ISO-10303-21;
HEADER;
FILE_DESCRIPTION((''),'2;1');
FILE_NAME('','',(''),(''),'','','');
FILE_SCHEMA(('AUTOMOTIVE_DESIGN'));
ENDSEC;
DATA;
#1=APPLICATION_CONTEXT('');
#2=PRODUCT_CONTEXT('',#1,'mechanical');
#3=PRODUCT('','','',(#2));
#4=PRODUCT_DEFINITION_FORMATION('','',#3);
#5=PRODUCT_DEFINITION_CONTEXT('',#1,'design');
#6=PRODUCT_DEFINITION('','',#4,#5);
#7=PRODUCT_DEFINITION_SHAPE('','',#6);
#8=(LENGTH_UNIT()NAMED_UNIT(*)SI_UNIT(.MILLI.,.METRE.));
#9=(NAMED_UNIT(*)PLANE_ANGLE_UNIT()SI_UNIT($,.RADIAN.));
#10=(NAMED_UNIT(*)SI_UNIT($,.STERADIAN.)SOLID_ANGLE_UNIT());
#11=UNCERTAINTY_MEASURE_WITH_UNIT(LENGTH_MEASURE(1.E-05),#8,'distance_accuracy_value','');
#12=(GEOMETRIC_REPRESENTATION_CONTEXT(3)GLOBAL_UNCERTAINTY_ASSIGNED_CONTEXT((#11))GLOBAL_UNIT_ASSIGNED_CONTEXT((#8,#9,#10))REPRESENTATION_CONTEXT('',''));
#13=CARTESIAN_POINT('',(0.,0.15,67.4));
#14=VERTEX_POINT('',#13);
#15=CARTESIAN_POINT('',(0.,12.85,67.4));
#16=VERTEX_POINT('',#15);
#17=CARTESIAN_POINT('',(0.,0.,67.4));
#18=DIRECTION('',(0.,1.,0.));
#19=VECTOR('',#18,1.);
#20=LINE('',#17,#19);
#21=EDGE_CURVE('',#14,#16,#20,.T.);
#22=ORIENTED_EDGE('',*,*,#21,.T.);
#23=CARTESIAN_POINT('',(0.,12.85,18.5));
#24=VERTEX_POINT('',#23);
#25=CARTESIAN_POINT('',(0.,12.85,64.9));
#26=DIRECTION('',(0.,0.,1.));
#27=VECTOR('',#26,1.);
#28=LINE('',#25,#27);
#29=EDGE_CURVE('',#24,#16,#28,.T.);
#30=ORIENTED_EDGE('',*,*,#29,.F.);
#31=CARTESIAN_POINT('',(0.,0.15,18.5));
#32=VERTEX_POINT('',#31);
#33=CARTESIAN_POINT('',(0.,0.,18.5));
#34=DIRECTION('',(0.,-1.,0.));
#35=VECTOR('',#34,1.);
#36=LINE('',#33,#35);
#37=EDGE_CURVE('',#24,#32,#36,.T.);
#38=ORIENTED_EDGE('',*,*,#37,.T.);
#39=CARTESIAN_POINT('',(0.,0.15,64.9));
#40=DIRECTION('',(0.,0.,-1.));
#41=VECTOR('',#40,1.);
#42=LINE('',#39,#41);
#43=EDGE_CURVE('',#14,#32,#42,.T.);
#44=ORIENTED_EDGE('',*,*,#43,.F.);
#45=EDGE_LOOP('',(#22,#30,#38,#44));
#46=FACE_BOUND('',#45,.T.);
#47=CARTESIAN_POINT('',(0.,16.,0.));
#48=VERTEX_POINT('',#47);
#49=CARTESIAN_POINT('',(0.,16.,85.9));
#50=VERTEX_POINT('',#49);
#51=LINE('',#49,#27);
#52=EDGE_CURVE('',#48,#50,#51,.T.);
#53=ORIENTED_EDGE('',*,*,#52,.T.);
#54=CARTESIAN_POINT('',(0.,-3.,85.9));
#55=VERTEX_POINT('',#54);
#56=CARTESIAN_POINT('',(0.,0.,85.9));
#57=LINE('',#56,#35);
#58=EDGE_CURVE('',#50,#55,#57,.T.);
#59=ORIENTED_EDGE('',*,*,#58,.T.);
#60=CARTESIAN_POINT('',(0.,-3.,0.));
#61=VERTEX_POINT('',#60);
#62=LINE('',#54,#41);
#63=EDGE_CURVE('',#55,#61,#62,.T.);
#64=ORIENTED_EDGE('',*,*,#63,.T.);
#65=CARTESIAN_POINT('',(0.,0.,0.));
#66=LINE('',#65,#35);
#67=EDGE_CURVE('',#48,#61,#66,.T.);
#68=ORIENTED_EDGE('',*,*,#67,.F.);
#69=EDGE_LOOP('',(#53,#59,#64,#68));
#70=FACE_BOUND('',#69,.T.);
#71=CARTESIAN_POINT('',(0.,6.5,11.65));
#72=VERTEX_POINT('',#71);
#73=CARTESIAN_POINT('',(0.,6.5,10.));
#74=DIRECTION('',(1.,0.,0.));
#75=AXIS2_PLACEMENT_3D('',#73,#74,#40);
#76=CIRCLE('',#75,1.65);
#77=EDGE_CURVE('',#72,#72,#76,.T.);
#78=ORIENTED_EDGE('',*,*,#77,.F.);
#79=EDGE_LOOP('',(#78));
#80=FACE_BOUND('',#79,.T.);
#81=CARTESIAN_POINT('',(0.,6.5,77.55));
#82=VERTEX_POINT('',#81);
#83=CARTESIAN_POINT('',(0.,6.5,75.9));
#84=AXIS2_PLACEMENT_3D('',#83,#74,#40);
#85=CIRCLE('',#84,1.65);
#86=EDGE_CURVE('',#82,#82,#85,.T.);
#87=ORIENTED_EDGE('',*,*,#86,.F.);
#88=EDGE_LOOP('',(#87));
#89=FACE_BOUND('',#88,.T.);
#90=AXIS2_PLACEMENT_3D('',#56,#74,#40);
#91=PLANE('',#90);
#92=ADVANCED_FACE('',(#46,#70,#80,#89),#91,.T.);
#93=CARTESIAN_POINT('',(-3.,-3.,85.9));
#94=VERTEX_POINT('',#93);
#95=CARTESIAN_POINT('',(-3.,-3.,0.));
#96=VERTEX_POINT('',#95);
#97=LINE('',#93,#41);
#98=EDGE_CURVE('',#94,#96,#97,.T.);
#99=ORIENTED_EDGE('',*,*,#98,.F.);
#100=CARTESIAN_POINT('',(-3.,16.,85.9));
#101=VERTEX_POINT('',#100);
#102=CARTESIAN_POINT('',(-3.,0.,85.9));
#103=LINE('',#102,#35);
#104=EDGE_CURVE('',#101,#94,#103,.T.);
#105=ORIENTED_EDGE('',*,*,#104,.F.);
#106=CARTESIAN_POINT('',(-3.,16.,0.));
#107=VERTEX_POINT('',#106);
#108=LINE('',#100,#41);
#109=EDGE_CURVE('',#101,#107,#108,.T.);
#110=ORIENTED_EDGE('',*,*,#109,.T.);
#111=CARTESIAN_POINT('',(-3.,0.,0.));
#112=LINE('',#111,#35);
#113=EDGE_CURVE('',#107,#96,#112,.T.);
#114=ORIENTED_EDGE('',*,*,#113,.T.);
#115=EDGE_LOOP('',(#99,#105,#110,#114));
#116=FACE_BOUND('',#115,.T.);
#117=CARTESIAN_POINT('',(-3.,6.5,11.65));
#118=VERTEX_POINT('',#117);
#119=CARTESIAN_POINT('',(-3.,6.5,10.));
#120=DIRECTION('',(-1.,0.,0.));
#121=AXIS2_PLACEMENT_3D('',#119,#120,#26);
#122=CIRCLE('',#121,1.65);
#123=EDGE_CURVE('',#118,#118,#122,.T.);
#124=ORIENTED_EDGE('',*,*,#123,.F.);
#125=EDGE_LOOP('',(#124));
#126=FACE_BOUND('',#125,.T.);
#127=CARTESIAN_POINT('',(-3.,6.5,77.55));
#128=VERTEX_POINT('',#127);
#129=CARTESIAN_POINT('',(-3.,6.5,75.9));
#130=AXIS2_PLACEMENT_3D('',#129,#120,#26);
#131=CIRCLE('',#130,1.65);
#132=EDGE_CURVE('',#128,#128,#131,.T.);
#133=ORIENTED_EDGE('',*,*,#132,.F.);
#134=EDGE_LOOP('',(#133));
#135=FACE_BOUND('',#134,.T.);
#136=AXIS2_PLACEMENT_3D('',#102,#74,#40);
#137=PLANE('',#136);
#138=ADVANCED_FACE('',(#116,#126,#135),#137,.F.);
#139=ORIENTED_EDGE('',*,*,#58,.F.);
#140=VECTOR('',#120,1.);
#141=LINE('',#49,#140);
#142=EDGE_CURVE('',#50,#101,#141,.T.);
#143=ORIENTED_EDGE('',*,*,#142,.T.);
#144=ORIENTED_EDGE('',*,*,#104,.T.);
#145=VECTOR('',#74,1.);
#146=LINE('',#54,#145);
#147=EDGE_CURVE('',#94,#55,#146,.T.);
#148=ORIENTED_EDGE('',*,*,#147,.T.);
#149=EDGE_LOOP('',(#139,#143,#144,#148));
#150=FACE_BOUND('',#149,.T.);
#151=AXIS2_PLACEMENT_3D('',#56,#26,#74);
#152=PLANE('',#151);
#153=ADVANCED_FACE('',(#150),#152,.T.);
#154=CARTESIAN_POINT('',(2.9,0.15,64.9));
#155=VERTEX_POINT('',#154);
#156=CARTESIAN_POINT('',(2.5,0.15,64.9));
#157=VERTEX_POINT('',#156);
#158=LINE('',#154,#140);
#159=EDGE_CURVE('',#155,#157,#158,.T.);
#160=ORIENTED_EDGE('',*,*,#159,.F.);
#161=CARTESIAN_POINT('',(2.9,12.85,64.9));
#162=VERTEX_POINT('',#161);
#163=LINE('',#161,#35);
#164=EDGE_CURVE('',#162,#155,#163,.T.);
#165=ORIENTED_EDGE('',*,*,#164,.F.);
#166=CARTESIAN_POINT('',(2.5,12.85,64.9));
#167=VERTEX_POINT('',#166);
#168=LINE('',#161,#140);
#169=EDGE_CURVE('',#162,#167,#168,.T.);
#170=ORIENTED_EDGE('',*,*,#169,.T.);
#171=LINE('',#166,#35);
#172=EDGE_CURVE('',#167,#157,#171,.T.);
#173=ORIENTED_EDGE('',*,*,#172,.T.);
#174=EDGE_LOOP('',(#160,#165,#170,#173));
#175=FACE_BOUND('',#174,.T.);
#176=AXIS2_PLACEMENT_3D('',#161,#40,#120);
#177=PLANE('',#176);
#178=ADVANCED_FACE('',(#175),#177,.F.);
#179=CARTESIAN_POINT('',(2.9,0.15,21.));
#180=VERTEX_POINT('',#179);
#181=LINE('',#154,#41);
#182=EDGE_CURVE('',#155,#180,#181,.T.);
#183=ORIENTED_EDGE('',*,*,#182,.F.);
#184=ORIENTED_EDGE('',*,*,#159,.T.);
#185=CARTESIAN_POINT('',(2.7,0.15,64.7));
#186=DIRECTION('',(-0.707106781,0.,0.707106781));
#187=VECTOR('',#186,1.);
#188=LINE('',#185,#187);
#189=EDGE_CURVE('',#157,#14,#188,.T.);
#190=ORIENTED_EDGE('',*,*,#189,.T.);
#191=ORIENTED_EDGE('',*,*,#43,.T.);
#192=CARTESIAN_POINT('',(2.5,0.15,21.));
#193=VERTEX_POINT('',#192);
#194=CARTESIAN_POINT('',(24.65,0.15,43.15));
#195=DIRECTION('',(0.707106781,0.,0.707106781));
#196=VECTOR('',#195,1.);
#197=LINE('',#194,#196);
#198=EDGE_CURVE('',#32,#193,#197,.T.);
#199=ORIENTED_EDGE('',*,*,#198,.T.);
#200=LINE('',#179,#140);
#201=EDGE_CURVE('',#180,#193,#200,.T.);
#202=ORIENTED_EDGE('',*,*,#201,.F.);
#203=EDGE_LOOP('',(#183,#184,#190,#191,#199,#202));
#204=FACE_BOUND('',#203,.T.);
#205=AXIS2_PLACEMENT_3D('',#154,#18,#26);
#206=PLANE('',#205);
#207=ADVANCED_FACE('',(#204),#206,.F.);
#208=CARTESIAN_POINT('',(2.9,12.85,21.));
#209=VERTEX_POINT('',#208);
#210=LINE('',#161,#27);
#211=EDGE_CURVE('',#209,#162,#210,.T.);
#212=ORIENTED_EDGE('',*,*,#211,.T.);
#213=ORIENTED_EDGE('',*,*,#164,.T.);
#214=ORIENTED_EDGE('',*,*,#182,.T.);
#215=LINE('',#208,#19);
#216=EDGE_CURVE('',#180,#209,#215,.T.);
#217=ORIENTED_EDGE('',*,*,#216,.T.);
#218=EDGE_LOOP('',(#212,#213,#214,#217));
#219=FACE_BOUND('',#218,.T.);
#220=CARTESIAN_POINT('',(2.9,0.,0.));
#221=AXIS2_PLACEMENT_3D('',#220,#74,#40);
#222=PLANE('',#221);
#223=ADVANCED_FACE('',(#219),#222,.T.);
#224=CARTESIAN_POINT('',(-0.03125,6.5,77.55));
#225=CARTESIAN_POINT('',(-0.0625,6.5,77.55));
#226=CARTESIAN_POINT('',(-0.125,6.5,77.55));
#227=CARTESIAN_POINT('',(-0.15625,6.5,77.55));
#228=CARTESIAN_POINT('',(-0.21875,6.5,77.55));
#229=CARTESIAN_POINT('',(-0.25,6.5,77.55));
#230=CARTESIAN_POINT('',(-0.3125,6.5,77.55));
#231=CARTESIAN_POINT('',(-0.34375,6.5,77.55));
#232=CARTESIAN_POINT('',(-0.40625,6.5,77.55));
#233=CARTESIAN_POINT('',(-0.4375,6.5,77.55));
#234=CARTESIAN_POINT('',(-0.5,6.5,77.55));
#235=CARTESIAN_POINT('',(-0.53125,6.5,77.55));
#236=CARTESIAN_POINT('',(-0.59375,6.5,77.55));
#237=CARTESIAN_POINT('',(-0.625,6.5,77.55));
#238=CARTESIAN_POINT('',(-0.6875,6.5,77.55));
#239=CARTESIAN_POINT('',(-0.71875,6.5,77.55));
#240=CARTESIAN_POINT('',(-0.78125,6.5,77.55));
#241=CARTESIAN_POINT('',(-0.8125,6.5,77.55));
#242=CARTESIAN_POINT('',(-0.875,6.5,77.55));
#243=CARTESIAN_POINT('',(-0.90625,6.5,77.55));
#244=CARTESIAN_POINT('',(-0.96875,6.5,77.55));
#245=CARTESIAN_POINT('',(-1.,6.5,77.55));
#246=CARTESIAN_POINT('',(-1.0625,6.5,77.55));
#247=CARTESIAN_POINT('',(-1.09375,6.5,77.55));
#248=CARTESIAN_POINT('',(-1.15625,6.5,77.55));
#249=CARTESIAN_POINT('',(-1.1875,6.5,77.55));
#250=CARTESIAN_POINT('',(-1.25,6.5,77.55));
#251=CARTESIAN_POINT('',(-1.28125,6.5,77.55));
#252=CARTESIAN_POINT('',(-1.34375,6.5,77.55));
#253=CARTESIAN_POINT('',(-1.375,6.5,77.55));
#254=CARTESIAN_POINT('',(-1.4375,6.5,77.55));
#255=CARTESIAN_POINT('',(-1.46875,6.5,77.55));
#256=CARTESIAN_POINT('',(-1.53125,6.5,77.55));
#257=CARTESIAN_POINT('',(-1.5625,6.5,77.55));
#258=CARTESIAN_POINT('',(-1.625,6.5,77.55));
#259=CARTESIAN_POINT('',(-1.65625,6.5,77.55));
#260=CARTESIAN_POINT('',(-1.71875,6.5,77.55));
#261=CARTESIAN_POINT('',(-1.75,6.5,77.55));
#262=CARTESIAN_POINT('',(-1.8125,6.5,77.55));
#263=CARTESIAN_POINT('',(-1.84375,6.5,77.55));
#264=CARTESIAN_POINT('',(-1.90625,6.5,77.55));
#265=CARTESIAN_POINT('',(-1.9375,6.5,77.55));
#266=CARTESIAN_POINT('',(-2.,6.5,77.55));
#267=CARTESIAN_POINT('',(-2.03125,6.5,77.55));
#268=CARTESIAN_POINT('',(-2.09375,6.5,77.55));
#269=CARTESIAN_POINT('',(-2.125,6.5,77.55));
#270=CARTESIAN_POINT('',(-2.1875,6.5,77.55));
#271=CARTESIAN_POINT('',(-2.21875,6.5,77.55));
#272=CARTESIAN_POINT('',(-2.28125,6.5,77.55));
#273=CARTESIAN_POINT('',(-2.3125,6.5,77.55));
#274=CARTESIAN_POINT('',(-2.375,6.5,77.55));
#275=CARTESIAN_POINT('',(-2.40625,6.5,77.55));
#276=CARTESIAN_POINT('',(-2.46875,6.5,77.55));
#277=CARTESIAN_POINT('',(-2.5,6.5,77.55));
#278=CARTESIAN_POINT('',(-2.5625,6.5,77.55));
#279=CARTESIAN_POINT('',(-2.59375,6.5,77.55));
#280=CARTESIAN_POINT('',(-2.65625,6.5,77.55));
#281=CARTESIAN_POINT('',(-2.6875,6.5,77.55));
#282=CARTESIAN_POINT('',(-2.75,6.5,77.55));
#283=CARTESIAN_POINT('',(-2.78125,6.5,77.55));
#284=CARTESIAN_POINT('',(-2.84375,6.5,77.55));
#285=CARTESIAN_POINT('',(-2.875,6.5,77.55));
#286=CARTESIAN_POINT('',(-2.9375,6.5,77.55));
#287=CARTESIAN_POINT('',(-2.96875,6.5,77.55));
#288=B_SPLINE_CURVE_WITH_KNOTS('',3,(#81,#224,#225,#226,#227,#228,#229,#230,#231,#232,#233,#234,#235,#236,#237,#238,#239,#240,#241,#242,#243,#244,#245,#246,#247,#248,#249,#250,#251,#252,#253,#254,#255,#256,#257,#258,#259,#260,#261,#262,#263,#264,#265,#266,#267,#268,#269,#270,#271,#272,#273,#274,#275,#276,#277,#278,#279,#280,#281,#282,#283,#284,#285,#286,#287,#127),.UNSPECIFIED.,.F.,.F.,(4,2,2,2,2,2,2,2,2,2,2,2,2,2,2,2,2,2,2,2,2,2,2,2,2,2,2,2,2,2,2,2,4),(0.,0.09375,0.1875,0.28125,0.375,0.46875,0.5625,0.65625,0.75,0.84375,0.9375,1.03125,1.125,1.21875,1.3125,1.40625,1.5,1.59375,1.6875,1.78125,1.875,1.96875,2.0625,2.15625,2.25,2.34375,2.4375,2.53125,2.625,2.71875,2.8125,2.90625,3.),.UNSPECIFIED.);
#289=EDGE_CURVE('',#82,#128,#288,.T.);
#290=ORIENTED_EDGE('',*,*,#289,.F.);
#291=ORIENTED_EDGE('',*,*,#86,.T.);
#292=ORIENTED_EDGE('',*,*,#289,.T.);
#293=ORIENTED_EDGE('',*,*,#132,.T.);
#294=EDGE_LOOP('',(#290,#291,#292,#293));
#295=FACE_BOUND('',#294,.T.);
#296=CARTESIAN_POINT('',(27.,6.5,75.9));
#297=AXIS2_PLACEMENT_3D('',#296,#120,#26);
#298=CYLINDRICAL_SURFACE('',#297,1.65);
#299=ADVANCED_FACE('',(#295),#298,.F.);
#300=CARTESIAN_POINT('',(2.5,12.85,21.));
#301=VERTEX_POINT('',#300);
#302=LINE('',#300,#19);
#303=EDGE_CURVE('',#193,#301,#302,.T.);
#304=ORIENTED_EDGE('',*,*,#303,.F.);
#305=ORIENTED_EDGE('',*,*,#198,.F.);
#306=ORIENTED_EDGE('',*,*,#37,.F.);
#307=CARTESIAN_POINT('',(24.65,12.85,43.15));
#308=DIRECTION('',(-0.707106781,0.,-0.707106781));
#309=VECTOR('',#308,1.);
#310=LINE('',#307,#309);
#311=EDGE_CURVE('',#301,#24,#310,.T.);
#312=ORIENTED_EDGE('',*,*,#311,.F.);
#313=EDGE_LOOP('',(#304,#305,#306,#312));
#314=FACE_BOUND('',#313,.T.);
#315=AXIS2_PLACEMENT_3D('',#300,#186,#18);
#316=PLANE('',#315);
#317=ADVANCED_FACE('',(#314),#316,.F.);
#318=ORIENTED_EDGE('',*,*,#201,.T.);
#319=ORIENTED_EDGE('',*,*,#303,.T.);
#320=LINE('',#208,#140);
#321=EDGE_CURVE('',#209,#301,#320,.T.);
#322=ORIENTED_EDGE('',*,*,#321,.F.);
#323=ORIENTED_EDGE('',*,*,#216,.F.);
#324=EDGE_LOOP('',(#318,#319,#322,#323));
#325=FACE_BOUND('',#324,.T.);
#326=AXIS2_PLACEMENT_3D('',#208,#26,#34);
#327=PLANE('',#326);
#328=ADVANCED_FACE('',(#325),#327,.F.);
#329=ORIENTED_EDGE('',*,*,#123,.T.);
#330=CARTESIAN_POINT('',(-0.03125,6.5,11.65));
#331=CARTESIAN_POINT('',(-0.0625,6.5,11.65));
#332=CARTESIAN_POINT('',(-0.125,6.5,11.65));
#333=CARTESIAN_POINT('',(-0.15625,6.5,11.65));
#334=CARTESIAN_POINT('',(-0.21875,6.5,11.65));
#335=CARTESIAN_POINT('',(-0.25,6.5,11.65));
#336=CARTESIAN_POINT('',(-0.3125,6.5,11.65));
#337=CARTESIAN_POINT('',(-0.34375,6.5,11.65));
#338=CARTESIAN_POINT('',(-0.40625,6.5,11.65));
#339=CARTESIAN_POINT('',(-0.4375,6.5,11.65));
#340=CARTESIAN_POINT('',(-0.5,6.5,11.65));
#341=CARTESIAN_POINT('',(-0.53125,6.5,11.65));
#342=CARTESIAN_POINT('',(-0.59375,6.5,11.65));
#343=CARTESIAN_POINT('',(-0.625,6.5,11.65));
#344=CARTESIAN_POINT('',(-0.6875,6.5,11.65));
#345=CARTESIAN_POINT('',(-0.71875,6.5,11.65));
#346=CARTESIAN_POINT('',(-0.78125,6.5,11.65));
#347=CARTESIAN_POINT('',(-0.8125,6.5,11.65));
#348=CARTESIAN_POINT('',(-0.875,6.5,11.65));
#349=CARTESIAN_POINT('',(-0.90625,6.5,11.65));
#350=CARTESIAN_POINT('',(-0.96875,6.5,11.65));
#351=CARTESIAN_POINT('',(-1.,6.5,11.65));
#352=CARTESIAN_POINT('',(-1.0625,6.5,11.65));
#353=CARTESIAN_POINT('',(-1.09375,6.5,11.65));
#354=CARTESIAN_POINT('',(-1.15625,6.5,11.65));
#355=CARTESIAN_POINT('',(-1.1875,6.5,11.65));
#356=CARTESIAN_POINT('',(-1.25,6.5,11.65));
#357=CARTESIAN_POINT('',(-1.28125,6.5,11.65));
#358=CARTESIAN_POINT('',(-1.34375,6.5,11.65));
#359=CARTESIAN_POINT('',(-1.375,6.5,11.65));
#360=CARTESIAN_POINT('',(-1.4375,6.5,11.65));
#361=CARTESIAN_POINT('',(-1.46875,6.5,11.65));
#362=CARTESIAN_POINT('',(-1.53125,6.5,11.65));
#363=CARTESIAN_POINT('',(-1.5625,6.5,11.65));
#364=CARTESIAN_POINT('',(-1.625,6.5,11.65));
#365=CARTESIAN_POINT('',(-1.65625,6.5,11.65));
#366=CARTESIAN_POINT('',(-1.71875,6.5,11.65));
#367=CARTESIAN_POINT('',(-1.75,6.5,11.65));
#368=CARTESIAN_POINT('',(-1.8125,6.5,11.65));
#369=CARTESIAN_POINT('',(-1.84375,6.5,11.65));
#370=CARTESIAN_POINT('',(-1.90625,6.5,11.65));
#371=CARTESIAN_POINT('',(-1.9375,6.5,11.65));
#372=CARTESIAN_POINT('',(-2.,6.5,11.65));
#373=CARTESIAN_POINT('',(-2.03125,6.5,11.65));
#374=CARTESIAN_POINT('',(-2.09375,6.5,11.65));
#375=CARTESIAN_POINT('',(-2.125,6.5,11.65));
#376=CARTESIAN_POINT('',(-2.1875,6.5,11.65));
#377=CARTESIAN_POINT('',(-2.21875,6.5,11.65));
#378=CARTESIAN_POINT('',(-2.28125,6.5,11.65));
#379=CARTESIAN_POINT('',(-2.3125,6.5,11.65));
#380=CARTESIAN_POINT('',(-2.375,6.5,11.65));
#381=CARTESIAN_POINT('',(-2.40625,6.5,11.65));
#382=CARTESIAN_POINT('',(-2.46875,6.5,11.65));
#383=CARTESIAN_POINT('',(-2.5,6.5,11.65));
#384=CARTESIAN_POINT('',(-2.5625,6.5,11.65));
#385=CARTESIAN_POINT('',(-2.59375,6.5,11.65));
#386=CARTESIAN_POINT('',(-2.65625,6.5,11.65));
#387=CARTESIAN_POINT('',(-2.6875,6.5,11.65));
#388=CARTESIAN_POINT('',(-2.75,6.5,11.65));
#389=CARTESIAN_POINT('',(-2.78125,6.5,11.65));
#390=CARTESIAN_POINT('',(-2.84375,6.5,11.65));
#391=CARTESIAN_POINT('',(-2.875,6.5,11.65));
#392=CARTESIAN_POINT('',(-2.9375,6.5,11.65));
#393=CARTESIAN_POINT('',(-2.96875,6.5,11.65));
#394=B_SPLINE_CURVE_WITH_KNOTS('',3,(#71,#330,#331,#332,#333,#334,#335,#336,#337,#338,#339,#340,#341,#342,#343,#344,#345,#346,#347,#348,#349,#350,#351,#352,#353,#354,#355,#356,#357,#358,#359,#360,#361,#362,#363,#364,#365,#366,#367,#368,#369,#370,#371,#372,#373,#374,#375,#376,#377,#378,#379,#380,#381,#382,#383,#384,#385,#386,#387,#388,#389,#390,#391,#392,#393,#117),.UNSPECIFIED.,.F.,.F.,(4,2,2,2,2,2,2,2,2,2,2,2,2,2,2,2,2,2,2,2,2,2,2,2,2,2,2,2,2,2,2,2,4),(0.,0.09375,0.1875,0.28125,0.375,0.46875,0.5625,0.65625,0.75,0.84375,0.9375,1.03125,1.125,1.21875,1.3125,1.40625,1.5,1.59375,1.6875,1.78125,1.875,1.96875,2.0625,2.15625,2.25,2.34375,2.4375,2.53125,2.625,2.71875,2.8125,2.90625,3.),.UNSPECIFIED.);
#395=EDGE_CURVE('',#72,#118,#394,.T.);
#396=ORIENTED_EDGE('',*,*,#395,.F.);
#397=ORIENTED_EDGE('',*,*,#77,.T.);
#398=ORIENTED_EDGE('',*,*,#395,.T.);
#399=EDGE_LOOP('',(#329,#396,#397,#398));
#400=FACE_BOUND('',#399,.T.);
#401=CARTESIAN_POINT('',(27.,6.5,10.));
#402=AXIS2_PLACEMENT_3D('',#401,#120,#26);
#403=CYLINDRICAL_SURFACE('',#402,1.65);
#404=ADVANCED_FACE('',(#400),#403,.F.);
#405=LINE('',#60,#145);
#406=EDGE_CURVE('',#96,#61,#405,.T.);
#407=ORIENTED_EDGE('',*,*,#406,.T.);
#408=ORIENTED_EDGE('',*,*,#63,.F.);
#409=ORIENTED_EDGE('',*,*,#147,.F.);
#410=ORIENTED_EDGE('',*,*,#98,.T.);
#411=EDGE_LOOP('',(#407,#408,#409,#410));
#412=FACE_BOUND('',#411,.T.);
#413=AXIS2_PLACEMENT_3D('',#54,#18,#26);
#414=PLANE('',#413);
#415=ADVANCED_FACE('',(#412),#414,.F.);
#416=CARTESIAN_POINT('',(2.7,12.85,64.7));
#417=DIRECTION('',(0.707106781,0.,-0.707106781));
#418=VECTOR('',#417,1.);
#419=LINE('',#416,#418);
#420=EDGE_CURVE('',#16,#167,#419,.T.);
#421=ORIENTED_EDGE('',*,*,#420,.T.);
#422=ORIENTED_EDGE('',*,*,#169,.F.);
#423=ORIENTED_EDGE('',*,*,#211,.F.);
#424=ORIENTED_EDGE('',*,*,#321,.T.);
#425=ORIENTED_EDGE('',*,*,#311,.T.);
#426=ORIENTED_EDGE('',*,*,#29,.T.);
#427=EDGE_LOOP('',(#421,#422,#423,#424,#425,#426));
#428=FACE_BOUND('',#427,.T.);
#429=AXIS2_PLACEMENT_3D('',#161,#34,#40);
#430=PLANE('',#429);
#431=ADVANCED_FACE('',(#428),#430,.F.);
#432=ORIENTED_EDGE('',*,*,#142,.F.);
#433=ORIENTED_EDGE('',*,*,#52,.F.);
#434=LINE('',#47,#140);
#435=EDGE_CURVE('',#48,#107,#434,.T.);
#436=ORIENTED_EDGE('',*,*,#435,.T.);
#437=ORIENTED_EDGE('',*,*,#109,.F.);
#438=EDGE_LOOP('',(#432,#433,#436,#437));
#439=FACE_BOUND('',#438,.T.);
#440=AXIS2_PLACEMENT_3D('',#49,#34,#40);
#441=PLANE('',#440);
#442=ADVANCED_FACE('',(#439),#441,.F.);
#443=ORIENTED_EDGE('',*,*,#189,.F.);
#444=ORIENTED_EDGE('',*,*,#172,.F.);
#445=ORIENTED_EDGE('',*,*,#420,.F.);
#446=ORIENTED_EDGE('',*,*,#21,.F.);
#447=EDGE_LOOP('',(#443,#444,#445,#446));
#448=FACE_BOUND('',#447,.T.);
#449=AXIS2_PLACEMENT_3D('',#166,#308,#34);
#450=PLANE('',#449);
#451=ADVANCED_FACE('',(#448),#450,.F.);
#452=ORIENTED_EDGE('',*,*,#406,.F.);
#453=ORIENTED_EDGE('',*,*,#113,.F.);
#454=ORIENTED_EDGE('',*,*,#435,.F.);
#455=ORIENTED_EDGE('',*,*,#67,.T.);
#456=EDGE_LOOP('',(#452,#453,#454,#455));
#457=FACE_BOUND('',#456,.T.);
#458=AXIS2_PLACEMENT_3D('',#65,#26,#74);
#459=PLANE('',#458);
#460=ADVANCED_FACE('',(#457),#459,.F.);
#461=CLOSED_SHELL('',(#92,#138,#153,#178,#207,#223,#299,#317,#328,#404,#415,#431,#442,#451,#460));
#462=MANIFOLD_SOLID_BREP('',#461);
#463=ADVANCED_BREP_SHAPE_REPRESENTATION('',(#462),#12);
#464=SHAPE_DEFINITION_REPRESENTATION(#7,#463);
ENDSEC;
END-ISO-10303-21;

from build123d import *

# Parameters (mm, degrees)
SKETCH_1_W          = 19
SKETCH_1_H          = 19
SKETCH_1_W_2        = 13
SKETCH_1_H_2        = 13
EXTRUDE_1_DEPTH     = 85.9
SKETCH_2_R          = 1.65
CUT_EXTRUDE_1_DEPTH = 30
SKETCH_3_W          = 85.9
SKETCH_3_H          = 19
CUT_EXTRUDE_2_DEPTH = 16
SKETCH_4_W          = 43.9
SKETCH_4_H          = 12.7
EXTRUDE_1_2_DEPTH   = 2.9
CHAMFER_1_SIZE      = 2.5


with BuildPart() as part:
    # 草图1 → Extrude 1 (new body)
    with BuildSketch(Plane.XY):
        with Locations((6.5, 6.5)):
            Rectangle(SKETCH_1_W, SKETCH_1_H)
        with Locations((6.5, 6.5)):
            Rectangle(SKETCH_1_W_2, SKETCH_1_H_2, mode=Mode.SUBTRACT)
    extrude(amount=EXTRUDE_1_DEPTH)

    # 草图2 → 切除-拉伸1 (cut)
    with BuildSketch(Plane.ZY.offset(3)):
        with Locations((10, 6.5)):
            Circle(SKETCH_2_R)
        with Locations((75.9, 6.5)):
            Circle(SKETCH_2_R)
    extrude(amount=-CUT_EXTRUDE_1_DEPTH, mode=Mode.SUBTRACT)

    # 草图3 → 切除-拉伸2 (cut)
    with BuildSketch(Plane(origin=(16, 0, 0), x_dir=(0, 0, -1), z_dir=(1, 0, 0))):
        with Locations((-42.95, 6.5)):
            Rectangle(SKETCH_3_W, SKETCH_3_H)
    extrude(amount=-CUT_EXTRUDE_2_DEPTH, mode=Mode.SUBTRACT)

    # 草图4 → Extrude 1 2 (add)
    with BuildSketch(Plane(origin=(0, 0, 0), x_dir=(0, 0, -1), z_dir=(1, 0, 0))):
        with Locations((-42.95, 6.5)):
            Rectangle(SKETCH_4_W, SKETCH_4_H)
    extrude(amount=EXTRUDE_1_2_DEPTH)

    # 倒角1
    chamfer_1_edges = [part.edges().sort_by_distance(p)[0] for p in [
        (0, 6.5, 64.9),
        (0, 6.5, 21),
    ]]
    chamfer(chamfer_1_edges, length=CHAMFER_1_SIZE)


solid = part.part
